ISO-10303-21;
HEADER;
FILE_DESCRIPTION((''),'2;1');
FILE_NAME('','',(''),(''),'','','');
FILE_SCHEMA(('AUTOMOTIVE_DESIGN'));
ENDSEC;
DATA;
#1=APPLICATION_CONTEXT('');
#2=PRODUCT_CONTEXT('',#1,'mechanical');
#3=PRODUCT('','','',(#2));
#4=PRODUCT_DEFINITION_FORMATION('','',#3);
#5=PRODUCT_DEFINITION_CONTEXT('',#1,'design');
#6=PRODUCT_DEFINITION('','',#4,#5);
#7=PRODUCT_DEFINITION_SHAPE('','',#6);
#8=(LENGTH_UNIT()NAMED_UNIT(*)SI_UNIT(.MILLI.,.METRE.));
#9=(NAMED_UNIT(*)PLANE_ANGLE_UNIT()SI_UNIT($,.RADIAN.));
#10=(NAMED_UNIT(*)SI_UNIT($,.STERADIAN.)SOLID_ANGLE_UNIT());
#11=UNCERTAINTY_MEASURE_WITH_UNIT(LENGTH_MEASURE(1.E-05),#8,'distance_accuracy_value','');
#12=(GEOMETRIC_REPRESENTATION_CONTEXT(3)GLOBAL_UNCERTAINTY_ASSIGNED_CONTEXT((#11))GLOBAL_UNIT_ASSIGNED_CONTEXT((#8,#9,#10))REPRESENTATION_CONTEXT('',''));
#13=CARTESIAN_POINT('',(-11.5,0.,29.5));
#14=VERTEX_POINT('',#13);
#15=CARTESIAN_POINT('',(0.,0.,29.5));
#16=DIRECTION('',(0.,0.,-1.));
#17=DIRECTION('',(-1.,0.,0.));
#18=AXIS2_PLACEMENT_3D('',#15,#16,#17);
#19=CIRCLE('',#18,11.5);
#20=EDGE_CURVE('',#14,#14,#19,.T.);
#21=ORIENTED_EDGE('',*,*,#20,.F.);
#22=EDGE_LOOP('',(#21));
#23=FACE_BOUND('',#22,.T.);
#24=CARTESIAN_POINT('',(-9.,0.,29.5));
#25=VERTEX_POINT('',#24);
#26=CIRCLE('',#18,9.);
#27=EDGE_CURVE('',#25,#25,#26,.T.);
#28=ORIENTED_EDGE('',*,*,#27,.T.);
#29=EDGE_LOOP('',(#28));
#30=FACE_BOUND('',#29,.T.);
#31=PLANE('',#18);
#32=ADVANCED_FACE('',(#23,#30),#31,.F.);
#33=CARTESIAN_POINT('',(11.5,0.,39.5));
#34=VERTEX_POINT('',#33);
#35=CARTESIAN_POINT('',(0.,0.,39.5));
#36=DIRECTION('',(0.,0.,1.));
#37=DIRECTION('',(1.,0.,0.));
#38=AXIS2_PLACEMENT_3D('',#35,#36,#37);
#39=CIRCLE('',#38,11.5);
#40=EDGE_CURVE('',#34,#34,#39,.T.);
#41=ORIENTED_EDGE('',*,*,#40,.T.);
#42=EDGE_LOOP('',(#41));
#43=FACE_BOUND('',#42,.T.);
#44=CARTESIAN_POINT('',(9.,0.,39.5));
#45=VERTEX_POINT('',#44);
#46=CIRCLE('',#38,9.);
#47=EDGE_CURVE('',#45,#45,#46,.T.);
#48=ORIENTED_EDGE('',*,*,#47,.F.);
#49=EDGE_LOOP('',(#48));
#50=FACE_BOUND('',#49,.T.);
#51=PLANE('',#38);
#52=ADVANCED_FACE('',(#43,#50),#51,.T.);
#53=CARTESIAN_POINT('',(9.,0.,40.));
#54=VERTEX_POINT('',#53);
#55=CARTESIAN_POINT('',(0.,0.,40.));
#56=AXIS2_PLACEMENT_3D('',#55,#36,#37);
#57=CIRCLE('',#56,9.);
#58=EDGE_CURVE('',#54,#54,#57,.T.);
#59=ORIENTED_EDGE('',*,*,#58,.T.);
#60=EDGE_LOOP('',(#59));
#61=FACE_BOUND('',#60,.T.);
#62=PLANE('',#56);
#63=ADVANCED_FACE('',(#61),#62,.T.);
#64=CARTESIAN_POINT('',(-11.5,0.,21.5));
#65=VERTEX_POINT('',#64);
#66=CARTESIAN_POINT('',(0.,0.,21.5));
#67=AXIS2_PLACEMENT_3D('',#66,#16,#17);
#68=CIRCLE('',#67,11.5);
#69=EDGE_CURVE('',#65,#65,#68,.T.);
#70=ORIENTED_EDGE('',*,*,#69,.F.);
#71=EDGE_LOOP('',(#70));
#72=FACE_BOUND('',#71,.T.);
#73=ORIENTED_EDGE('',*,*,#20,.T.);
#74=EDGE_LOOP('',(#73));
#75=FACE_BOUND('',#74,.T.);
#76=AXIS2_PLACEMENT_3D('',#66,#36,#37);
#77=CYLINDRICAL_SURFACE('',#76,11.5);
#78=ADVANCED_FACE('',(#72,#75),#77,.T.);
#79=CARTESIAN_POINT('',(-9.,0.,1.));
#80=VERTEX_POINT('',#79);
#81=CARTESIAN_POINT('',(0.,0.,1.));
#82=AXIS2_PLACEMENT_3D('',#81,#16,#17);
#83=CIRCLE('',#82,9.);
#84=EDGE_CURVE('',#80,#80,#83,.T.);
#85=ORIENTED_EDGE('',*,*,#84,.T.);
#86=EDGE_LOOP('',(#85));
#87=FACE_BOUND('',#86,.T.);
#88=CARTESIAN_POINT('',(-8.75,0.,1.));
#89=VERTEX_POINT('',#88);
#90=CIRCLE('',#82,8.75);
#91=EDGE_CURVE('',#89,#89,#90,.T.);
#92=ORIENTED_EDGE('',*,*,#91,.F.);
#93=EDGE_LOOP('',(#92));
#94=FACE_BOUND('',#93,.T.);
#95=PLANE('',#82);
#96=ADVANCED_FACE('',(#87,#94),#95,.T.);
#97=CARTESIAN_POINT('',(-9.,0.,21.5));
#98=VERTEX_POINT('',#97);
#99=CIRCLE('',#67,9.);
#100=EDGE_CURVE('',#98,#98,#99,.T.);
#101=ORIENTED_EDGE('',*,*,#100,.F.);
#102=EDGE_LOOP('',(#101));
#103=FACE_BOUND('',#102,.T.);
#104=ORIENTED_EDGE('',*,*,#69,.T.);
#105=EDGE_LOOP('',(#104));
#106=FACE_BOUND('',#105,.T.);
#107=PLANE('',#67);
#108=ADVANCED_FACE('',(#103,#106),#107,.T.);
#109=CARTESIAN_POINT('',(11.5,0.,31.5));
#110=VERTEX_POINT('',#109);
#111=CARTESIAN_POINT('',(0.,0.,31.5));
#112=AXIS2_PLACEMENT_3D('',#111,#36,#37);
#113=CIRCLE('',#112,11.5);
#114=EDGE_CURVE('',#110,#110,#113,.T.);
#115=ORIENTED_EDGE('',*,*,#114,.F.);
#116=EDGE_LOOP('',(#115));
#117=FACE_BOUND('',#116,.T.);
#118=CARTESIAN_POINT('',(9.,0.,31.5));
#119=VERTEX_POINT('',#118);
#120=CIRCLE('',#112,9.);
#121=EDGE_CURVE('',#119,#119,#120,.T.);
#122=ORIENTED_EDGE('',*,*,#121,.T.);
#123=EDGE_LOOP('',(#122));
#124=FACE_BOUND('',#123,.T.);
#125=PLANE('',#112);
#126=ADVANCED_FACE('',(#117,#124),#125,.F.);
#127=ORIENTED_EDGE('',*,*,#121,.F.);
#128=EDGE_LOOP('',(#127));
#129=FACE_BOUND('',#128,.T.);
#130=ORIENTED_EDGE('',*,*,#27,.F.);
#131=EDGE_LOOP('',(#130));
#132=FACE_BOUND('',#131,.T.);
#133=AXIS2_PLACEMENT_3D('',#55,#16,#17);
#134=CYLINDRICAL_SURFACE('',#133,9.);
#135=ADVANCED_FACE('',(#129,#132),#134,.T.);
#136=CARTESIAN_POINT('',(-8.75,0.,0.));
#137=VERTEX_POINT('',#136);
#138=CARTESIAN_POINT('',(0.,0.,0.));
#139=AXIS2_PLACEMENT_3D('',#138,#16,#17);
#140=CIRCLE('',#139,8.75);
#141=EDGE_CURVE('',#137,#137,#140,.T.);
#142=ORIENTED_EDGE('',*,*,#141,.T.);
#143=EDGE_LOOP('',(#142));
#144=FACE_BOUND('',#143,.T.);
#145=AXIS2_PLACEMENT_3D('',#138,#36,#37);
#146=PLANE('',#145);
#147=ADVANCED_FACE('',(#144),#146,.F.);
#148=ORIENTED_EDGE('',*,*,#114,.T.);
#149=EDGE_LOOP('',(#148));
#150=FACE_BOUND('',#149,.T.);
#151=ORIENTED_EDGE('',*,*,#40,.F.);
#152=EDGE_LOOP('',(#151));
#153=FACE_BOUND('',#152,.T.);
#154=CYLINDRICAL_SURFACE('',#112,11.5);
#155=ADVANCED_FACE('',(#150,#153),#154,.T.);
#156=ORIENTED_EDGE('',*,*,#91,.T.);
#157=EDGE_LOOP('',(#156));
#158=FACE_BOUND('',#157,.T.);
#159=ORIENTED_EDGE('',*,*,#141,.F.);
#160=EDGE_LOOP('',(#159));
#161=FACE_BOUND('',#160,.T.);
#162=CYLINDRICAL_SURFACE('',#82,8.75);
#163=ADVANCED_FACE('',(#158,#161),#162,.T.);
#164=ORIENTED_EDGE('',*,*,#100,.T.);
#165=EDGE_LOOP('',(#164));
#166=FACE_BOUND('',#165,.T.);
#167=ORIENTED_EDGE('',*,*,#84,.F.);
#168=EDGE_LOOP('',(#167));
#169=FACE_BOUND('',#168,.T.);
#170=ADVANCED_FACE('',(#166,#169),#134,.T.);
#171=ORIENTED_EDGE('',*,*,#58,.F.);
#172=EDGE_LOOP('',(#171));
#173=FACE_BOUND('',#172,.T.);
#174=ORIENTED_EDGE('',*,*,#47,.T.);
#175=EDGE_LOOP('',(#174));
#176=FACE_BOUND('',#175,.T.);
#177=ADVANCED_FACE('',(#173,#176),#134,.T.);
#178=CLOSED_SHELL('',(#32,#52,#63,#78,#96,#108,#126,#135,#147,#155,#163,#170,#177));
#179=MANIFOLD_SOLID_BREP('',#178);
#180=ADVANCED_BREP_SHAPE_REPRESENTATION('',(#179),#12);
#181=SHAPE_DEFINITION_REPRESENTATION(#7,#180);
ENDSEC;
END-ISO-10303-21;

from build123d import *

# Parameters (mm, degrees)
SKETCH1_R           = 9
BOSS_EXTRUDE1_DEPTH = 40
BOSS_EXTRUDE5_START = -0.5
SKETCH4_R           = 11.5
BOSS_EXTRUDE5_DEPTH = 8
BOSS_EXTRUDE6_START = 2
SKETCH5_R           = 11.5
BOSS_EXTRUDE6_DEPTH = 8
SKETCH6_R           = 9
SKETCH6_R_2         = 8.75
CUT_EXTRUDE1_DEPTH  = 1


with BuildPart() as part:
    # Sketch1 → Boss-Extrude1 (new body)
    with BuildSketch(Plane.XY):
        Circle(SKETCH1_R)
    extrude(amount=BOSS_EXTRUDE1_DEPTH)

    # Sketch4 → Boss-Extrude5 (add)
    with BuildSketch(Plane.XY.offset(40).offset(BOSS_EXTRUDE5_START)):
        Circle(SKETCH4_R)
    extrude(amount=-BOSS_EXTRUDE5_DEPTH)

    # Sketch5 → Boss-Extrude6 (add)
    with BuildSketch(Plane(origin=(0, 0, 31.5), x_dir=(-1, 0, 0), z_dir=(0, 0, -1)).offset(BOSS_EXTRUDE6_START)):
        with Locations(Location((0, 0, 0), (0, 0, 180))):
            Circle(SKETCH5_R)
    extrude(amount=BOSS_EXTRUDE6_DEPTH)

    # Sketch6 → Cut-Extrude1 (cut)
    with BuildSketch(Plane(origin=(0, 0, 0), x_dir=(-1, 0, 0), z_dir=(0, 0, -1))):
        Circle(SKETCH6_R)
        Circle(SKETCH6_R_2, mode=Mode.SUBTRACT)
    extrude(amount=-CUT_EXTRUDE1_DEPTH, mode=Mode.SUBTRACT)


solid = part.part
